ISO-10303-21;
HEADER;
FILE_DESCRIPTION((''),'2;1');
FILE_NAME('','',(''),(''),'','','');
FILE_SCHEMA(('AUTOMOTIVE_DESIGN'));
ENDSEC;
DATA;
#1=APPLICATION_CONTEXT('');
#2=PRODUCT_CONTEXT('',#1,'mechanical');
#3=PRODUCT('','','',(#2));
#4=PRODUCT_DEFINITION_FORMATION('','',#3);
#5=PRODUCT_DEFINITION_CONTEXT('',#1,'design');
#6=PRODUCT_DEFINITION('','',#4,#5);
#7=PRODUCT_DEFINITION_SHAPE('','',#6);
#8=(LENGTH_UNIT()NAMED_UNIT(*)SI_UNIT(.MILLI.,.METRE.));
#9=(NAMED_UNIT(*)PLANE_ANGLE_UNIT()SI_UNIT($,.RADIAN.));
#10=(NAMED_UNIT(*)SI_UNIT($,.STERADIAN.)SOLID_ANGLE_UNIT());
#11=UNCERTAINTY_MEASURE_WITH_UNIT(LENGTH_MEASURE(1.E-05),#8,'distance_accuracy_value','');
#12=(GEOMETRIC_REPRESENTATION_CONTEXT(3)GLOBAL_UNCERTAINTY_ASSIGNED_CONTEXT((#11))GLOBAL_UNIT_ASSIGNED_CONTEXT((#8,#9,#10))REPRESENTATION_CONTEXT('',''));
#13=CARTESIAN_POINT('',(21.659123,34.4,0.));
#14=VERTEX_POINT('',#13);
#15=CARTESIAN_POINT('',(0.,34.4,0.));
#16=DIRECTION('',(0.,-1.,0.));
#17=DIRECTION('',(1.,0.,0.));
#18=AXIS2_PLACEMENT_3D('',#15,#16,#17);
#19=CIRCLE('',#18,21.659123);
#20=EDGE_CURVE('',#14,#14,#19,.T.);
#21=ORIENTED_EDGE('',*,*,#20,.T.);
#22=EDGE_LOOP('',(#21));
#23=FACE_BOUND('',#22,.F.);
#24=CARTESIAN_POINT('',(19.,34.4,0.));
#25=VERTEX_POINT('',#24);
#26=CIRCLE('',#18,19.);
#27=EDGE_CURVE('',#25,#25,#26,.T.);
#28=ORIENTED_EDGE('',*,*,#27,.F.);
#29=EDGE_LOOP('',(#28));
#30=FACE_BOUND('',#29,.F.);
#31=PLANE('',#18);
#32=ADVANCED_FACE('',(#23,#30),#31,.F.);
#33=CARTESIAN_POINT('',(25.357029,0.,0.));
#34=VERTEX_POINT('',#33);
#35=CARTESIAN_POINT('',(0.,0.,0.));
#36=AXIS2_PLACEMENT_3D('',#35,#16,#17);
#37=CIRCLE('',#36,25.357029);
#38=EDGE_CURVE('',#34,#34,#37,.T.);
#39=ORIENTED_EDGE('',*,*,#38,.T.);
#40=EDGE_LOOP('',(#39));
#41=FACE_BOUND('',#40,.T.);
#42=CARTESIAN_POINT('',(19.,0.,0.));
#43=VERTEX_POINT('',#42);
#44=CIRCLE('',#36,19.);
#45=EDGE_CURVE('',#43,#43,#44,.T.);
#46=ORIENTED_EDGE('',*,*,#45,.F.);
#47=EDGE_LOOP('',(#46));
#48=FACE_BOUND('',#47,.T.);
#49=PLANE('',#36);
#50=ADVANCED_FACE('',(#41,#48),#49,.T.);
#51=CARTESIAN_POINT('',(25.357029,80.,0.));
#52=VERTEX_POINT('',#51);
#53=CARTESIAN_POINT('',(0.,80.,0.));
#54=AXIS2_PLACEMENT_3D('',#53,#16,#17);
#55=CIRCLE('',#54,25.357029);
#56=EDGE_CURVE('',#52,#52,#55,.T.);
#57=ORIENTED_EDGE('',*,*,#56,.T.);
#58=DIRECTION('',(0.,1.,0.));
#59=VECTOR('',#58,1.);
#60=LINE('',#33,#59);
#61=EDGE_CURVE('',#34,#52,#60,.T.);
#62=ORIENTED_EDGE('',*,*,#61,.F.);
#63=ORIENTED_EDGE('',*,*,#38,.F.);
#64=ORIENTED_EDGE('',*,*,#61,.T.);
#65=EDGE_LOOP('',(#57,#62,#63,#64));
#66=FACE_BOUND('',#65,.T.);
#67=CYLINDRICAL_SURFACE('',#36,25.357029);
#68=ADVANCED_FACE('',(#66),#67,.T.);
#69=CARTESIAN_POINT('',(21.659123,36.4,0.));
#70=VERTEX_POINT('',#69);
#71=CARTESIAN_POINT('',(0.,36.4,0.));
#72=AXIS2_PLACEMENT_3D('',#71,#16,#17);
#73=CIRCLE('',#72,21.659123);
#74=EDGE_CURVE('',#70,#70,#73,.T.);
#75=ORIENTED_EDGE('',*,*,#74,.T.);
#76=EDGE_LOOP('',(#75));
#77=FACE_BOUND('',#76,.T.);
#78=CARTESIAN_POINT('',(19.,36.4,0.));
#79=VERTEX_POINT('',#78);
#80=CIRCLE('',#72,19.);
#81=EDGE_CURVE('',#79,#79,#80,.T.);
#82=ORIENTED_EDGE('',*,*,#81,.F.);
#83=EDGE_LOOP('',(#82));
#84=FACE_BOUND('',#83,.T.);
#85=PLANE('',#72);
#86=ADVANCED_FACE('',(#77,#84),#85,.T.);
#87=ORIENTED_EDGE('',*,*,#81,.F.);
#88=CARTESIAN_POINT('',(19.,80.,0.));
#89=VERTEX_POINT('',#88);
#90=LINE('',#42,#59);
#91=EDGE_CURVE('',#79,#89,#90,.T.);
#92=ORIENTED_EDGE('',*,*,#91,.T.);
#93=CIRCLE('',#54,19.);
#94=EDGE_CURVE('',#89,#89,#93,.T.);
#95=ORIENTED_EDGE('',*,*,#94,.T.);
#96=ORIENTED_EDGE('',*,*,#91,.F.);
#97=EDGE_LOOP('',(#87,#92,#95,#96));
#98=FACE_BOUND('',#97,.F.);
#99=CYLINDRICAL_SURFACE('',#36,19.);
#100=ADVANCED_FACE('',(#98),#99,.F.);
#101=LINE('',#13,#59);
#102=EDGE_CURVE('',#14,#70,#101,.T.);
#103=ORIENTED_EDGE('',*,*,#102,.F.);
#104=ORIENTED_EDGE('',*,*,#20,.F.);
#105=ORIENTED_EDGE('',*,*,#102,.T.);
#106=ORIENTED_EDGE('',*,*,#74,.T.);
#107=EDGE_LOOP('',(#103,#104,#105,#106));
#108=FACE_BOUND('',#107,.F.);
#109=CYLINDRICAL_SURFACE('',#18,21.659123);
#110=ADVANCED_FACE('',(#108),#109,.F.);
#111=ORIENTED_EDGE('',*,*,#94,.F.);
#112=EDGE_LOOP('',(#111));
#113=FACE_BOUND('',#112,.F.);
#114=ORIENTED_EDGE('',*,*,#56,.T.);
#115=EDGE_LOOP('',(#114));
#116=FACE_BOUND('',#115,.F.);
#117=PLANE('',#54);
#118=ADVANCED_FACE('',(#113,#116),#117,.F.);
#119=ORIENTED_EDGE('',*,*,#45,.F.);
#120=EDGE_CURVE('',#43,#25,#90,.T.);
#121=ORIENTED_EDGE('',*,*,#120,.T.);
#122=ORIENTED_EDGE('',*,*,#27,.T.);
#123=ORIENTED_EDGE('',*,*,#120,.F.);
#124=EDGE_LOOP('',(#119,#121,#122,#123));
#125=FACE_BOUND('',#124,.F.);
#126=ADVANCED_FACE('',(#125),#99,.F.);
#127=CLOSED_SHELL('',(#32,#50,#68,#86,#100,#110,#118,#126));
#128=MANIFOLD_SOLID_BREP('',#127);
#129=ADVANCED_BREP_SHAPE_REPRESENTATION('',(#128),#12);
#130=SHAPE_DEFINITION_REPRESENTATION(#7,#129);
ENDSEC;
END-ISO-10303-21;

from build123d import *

# Parameters (mm, degrees)
F0_R     = 25.357029
F1_DEPTH = 80
F2_R     = 19
F3_DEPTH = 99.8
F5_R     = 21.659123
F6_DEPTH = 2


with BuildPart() as f1:
    # F0 (on Front) → F1 (new body)
    with BuildSketch(Plane.XZ):
        Circle(F0_R)
    extrude(amount=-F1_DEPTH)

    # F2 (on face) → F3 (cut)
    with BuildSketch(Plane.XZ):
        Circle(F2_R)
    extrude(amount=-F3_DEPTH, mode=Mode.SUBTRACT)

    # F5 (on offset) → F6 (cut)
    with BuildSketch(Plane.XZ.offset(-34.4)):
        Circle(F5_R)
    extrude(amount=-F6_DEPTH, mode=Mode.SUBTRACT)


solid = f1.part
